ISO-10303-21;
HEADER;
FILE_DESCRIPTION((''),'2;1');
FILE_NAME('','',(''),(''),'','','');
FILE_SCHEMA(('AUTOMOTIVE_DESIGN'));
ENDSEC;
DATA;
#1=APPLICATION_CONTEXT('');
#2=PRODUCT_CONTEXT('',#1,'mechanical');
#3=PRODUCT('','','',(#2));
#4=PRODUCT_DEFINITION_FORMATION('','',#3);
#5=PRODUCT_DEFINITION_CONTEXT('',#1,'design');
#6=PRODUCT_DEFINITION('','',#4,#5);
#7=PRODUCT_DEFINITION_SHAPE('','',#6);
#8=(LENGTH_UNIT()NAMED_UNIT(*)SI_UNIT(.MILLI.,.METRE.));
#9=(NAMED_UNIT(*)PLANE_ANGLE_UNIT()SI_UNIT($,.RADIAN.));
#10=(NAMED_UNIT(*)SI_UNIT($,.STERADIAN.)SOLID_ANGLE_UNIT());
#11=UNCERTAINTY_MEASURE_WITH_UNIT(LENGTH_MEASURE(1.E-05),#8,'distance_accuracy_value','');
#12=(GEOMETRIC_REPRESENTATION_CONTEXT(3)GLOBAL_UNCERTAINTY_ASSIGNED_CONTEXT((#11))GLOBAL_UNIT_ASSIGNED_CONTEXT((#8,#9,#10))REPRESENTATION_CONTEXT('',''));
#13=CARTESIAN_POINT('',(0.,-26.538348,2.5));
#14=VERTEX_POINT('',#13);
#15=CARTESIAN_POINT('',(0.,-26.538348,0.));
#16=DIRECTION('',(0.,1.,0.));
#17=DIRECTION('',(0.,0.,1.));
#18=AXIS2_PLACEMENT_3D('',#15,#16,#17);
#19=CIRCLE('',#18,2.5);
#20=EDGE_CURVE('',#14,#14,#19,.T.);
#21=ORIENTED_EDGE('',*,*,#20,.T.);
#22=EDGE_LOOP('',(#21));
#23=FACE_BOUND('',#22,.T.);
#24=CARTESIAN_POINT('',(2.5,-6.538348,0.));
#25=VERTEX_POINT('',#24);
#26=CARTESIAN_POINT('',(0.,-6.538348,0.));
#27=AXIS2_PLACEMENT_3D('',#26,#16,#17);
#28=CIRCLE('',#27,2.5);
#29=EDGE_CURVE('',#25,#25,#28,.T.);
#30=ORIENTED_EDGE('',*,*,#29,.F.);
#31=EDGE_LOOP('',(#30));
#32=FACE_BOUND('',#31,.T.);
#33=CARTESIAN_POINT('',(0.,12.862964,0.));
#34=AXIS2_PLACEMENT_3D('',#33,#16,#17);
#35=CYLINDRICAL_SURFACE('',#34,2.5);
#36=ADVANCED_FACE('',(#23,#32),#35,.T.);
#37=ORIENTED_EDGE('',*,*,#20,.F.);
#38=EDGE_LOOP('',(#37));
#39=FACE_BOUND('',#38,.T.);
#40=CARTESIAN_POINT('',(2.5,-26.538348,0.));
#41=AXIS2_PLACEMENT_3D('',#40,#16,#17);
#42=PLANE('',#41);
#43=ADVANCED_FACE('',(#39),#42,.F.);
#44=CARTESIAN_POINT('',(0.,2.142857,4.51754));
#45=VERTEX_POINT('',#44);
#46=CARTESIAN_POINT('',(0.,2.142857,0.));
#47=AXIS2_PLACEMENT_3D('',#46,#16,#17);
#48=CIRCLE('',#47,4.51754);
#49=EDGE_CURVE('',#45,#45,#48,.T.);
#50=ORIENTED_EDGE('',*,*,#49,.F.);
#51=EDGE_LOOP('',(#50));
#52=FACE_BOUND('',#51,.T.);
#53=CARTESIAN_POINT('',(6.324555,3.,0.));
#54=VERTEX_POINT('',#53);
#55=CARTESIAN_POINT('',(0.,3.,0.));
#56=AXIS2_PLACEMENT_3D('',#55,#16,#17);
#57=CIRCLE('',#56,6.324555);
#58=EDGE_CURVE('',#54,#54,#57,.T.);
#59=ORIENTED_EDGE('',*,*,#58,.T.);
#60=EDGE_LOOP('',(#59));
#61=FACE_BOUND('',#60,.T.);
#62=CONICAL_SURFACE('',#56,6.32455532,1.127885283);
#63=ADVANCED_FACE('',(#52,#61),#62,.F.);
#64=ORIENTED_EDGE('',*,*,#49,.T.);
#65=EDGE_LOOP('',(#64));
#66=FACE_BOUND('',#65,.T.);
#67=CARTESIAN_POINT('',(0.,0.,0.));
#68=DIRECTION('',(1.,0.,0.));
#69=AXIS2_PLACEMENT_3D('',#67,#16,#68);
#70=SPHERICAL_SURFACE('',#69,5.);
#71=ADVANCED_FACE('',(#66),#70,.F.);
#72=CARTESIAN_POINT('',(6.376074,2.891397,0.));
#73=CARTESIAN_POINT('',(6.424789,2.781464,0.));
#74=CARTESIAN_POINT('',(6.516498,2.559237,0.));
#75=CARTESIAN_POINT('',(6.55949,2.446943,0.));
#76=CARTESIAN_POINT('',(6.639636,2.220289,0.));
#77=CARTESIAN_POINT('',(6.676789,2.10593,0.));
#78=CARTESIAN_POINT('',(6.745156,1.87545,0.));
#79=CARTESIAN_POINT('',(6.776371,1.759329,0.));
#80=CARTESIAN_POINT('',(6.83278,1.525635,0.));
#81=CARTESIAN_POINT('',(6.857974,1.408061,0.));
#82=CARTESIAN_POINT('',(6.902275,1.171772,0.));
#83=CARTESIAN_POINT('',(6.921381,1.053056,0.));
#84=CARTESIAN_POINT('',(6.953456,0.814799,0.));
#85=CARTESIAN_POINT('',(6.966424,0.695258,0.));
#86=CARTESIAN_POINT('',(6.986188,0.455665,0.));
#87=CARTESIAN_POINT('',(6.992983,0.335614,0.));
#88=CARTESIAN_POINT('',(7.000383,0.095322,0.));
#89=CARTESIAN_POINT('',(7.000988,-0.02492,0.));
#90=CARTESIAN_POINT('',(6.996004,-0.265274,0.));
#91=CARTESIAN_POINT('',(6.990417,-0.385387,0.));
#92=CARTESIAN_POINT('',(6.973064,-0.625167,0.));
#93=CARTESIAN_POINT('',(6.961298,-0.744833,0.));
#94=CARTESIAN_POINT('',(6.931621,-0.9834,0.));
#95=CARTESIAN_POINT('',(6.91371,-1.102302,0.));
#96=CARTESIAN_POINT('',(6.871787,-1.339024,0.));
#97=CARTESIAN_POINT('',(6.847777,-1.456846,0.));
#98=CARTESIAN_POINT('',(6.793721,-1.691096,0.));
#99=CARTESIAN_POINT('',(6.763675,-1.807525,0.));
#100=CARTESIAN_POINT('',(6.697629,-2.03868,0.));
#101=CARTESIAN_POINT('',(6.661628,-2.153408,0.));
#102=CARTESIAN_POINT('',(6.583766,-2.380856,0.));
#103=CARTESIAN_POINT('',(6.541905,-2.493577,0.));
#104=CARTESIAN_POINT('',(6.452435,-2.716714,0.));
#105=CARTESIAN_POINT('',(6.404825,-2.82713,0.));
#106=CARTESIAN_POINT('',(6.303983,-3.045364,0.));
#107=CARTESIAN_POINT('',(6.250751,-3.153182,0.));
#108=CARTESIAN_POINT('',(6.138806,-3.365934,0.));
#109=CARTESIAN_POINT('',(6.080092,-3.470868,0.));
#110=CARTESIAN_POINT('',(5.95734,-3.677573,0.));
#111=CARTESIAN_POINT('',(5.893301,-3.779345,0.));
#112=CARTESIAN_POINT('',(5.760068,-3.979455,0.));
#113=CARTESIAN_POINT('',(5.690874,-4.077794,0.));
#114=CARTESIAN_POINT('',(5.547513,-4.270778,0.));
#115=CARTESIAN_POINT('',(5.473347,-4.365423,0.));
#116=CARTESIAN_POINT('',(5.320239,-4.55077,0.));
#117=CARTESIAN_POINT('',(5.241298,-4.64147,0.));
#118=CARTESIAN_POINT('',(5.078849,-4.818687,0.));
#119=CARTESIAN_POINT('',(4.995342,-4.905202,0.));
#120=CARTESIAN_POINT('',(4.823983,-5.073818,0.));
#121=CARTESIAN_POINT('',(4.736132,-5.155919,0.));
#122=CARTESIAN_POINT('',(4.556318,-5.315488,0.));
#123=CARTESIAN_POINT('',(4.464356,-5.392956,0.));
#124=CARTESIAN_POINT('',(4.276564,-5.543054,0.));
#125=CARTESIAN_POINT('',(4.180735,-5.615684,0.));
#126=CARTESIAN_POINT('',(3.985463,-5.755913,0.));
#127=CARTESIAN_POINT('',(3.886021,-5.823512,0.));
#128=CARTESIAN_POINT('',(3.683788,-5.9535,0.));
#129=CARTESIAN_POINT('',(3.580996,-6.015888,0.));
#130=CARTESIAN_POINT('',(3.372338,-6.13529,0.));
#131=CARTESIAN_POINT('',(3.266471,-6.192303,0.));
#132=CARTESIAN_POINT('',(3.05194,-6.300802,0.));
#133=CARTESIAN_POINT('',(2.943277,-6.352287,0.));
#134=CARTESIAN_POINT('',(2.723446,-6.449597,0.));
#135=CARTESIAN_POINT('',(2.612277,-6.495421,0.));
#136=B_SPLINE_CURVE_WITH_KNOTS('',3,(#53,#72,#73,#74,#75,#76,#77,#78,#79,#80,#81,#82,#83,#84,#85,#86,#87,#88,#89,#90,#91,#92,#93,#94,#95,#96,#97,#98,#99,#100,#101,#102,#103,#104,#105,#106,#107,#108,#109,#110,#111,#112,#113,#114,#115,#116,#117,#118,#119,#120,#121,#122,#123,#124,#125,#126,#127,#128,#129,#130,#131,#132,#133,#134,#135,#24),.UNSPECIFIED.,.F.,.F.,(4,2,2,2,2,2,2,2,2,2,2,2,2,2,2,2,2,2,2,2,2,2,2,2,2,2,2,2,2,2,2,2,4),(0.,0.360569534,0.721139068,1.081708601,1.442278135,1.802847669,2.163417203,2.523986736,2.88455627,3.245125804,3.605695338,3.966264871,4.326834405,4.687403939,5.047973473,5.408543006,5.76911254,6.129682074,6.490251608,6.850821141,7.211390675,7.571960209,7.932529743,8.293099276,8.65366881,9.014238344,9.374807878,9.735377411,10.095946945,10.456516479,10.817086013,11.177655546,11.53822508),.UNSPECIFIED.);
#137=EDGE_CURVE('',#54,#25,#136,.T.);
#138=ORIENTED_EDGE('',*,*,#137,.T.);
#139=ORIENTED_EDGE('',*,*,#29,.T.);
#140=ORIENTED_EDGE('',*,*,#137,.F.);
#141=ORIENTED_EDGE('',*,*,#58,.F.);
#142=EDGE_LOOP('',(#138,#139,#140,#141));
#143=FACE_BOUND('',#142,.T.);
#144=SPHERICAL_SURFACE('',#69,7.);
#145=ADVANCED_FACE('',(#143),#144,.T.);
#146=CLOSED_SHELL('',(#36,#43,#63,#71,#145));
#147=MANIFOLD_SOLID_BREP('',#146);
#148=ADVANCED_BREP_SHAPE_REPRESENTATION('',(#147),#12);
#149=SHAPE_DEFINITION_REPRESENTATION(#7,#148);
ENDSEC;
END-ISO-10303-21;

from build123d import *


with BuildPart() as part:
    # Sketch1 → Revolve1 (revolve)
    with BuildSketch(Plane.XY):
        with BuildLine():
            Line((2.5, -6.538348415), (2.5, -26.538348415))
            Line((2.5, -26.538348415), (0, -26.538348415))
            Line((0, -26.538348415), (0, -5))
            ThreePointArc((0, -5), (4.225771274, -2.672612419), (4.517539515, 2.142857143))
            Line((4.517539515, 2.142857143), (6.32455532, 3))
            ThreePointArc((6.32455532, 3), (6.497169905, -2.605145529), (2.5, -6.538348415))
        make_face()
    revolve(axis=Axis((0, 12.862963673, 0), (0, -1, 0)))


solid = part.part
